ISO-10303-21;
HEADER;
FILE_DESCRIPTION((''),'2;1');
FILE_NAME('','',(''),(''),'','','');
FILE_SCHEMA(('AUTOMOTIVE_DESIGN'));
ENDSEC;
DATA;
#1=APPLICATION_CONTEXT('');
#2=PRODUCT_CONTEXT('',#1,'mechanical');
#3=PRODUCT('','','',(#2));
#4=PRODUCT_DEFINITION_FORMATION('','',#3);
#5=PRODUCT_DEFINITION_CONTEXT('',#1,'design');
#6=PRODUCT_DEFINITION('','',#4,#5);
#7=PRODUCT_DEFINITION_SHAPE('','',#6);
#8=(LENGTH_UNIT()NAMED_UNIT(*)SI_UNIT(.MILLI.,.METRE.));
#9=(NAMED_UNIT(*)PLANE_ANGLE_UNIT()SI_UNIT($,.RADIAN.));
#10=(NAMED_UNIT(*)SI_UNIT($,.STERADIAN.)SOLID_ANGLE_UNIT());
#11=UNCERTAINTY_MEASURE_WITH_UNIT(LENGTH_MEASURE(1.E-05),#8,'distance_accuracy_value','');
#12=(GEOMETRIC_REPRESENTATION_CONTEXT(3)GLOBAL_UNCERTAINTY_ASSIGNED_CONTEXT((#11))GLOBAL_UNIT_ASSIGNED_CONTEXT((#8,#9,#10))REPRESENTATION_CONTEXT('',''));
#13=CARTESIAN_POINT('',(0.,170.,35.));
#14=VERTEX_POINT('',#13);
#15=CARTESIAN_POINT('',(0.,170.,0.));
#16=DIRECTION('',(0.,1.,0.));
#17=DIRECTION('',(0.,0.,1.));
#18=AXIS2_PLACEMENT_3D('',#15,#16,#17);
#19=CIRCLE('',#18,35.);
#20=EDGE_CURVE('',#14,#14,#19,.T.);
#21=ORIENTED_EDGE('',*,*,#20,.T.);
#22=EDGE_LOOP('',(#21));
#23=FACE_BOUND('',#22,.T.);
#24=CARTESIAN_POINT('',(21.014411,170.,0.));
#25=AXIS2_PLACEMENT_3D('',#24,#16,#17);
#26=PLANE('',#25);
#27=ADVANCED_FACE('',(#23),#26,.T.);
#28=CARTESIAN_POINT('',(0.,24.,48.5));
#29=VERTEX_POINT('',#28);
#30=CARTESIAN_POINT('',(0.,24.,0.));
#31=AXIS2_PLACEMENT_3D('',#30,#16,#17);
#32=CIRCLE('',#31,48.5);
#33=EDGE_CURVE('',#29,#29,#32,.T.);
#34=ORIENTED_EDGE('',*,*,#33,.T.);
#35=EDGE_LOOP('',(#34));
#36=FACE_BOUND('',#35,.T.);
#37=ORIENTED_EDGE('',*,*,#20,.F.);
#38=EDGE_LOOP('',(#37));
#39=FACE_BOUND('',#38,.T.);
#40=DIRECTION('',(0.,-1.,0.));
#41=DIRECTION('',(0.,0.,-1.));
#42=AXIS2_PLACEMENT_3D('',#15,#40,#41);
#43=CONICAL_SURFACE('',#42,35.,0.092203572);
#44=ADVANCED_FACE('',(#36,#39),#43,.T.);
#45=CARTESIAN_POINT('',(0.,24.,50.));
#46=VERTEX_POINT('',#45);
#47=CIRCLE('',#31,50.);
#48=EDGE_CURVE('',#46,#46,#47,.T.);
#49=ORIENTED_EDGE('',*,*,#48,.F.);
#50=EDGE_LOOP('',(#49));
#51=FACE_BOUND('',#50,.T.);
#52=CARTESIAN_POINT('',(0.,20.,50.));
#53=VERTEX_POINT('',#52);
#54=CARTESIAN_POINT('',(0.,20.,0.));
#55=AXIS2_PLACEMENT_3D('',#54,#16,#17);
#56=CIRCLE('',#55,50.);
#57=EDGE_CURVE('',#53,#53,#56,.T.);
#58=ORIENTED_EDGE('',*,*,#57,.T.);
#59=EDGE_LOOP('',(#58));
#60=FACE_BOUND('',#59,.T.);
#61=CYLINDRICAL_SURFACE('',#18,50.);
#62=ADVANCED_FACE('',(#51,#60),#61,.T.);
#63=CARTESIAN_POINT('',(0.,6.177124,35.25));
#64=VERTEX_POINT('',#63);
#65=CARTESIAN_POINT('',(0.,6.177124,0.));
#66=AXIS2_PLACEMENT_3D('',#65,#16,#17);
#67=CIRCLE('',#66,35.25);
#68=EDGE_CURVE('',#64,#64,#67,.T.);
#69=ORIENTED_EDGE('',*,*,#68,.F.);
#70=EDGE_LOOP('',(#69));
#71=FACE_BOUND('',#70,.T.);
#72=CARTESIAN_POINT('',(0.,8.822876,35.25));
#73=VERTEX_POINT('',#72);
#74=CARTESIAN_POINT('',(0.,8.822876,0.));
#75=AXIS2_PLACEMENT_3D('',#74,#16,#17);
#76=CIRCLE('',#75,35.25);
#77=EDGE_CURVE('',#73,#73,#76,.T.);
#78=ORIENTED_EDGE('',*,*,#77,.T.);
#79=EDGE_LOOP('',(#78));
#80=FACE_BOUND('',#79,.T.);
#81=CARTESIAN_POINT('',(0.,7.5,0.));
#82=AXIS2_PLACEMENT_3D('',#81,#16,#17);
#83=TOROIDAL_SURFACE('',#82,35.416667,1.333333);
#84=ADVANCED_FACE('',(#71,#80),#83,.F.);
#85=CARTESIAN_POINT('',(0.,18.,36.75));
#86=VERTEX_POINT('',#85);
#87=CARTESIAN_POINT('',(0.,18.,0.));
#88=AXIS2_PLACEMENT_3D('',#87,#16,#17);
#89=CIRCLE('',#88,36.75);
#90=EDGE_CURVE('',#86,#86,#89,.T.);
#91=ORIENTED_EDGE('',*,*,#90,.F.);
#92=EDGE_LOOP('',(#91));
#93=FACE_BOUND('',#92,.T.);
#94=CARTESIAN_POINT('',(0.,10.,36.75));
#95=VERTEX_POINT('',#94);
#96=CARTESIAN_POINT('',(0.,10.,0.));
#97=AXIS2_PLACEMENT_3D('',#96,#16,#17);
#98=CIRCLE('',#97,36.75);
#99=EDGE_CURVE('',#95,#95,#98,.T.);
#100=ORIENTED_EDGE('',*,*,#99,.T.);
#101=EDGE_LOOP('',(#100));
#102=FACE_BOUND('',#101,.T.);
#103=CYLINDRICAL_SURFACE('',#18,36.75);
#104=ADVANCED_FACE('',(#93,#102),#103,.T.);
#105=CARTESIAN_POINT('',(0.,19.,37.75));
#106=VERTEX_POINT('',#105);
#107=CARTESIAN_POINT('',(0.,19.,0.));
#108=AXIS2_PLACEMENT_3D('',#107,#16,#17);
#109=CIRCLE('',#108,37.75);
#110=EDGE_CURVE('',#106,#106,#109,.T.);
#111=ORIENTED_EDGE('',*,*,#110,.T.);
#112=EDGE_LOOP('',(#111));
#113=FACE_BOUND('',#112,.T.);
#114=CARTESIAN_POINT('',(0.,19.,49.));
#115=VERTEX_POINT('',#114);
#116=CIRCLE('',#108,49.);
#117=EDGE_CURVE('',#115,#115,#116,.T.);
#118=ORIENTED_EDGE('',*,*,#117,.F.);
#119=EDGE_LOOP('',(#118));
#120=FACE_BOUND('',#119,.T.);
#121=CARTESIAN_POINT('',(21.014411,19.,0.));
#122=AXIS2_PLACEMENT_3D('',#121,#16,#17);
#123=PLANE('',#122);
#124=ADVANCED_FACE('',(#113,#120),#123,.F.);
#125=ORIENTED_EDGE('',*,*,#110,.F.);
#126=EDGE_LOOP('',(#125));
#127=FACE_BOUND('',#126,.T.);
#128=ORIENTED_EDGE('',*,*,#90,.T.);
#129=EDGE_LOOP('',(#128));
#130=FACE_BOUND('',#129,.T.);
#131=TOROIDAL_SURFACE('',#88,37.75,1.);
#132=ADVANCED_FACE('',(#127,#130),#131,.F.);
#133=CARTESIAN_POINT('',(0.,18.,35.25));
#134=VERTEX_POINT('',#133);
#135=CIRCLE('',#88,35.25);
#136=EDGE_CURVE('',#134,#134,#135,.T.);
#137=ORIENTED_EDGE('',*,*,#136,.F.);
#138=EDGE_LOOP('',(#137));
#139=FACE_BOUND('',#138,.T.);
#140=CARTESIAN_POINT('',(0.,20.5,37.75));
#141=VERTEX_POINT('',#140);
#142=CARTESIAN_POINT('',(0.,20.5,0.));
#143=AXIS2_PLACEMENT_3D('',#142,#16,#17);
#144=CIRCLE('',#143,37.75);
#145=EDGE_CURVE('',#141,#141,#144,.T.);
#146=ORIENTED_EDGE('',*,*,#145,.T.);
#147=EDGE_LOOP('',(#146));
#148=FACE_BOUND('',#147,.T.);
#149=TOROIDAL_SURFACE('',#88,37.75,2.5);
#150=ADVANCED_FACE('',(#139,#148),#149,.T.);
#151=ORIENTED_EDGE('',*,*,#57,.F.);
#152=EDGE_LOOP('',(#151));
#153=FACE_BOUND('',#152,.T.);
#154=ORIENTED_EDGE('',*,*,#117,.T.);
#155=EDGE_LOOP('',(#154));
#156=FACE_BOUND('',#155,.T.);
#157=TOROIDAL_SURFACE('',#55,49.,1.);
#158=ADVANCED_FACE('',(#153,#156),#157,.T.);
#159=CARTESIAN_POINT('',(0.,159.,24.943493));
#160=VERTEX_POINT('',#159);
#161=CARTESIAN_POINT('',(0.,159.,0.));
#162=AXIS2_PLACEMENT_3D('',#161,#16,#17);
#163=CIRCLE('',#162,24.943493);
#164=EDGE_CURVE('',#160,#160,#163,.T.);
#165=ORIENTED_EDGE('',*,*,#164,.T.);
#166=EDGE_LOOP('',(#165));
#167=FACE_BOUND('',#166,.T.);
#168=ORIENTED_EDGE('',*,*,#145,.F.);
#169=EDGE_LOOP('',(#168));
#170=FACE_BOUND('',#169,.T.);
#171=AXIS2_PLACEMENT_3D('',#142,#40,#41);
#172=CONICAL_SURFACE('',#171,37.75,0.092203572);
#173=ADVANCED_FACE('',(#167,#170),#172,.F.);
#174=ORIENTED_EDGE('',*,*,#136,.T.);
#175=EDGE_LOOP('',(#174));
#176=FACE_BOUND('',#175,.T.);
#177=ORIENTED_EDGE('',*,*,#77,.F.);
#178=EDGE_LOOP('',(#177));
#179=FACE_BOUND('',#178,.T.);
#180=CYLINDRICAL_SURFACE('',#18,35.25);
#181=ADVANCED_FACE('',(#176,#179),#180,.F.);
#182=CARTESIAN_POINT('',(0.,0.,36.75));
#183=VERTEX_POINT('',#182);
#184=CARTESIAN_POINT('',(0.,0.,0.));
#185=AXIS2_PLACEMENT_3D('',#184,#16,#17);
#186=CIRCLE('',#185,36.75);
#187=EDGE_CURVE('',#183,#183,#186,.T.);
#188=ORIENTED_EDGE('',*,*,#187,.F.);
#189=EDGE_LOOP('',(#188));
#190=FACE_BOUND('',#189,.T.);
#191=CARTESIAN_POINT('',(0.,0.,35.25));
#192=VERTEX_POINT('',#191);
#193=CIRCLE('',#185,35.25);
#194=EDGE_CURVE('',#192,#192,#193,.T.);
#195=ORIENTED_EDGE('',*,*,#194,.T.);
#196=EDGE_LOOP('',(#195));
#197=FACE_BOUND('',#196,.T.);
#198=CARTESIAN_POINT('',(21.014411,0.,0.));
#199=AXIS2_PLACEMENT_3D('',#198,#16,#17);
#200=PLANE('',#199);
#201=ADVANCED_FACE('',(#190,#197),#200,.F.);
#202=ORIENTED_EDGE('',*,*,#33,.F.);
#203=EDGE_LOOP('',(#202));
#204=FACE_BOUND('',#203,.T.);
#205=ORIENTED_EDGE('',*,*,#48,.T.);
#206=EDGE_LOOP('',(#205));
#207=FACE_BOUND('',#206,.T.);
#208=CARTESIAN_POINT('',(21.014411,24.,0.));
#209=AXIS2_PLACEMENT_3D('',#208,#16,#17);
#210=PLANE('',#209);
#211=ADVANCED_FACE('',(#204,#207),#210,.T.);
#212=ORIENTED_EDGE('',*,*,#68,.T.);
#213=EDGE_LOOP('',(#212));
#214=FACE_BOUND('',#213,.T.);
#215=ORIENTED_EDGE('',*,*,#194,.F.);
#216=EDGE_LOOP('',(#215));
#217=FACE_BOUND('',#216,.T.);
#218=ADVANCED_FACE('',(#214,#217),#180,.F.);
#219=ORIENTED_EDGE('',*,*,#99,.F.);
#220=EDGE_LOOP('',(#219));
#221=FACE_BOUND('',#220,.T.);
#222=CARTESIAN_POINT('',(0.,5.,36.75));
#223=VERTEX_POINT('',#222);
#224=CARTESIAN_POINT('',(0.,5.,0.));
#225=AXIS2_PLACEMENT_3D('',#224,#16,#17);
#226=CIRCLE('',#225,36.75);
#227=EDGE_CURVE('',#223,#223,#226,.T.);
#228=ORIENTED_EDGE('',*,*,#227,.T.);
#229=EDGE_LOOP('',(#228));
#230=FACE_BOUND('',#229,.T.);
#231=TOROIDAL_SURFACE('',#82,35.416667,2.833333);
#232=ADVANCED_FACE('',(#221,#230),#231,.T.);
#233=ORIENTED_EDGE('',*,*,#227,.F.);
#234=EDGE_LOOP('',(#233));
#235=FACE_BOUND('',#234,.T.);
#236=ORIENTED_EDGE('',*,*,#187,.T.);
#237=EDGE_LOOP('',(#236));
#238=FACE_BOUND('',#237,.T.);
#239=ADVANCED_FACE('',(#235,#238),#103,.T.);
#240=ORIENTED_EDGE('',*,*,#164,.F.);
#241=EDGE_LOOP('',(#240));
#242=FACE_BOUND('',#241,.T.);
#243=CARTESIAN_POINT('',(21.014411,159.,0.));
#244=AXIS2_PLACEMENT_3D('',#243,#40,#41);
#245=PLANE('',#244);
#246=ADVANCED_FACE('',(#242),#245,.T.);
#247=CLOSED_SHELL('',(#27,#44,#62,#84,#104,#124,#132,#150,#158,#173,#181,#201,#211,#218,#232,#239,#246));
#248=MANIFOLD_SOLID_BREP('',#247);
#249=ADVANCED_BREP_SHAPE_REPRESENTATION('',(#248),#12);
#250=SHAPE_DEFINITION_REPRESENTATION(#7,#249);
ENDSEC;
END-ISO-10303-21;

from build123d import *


with BuildPart() as part:
    # Sketch1 → Revolve1 (revolve)
    with BuildSketch(Plane.XY):
        with BuildLine():
            ThreePointArc((35.25, 18), (35.982233047, 19.767766953), (37.75, 20.5))
            Line((37.75, 20.5), (24.943493151, 159))
            Line((24.943493151, 159), (0, 159))
            Line((0, 159), (0, 170))
            Line((0, 170), (35, 170))
            Line((35, 170), (48.5, 24))
            Line((48.5, 24), (50, 24))
            Line((50, 24), (50, 20))
            ThreePointArc((50, 20), (49.707106781, 19.292893219), (49, 19))
            Line((49, 19), (37.75, 19))
            ThreePointArc((37.75, 19), (37.042893219, 18.707106781), (36.75, 18))
            Line((36.75, 18), (36.75, 10))
            ThreePointArc((36.75, 10), (38.25, 7.5), (36.75, 5))
            Line((36.75, 5), (36.75, 0))
            Line((36.75, 0), (35.25, 0))
            Line((35.25, 0), (35.25, 6.177124344))
            ThreePointArc((35.25, 6.177124344), (36.75, 7.5), (35.25, 8.822875656))
            Line((35.25, 8.822875656), (35.25, 18))
        make_face()
    revolve(axis=Axis((0, 170, 0), (0, -1, 0)))


solid = part.part
